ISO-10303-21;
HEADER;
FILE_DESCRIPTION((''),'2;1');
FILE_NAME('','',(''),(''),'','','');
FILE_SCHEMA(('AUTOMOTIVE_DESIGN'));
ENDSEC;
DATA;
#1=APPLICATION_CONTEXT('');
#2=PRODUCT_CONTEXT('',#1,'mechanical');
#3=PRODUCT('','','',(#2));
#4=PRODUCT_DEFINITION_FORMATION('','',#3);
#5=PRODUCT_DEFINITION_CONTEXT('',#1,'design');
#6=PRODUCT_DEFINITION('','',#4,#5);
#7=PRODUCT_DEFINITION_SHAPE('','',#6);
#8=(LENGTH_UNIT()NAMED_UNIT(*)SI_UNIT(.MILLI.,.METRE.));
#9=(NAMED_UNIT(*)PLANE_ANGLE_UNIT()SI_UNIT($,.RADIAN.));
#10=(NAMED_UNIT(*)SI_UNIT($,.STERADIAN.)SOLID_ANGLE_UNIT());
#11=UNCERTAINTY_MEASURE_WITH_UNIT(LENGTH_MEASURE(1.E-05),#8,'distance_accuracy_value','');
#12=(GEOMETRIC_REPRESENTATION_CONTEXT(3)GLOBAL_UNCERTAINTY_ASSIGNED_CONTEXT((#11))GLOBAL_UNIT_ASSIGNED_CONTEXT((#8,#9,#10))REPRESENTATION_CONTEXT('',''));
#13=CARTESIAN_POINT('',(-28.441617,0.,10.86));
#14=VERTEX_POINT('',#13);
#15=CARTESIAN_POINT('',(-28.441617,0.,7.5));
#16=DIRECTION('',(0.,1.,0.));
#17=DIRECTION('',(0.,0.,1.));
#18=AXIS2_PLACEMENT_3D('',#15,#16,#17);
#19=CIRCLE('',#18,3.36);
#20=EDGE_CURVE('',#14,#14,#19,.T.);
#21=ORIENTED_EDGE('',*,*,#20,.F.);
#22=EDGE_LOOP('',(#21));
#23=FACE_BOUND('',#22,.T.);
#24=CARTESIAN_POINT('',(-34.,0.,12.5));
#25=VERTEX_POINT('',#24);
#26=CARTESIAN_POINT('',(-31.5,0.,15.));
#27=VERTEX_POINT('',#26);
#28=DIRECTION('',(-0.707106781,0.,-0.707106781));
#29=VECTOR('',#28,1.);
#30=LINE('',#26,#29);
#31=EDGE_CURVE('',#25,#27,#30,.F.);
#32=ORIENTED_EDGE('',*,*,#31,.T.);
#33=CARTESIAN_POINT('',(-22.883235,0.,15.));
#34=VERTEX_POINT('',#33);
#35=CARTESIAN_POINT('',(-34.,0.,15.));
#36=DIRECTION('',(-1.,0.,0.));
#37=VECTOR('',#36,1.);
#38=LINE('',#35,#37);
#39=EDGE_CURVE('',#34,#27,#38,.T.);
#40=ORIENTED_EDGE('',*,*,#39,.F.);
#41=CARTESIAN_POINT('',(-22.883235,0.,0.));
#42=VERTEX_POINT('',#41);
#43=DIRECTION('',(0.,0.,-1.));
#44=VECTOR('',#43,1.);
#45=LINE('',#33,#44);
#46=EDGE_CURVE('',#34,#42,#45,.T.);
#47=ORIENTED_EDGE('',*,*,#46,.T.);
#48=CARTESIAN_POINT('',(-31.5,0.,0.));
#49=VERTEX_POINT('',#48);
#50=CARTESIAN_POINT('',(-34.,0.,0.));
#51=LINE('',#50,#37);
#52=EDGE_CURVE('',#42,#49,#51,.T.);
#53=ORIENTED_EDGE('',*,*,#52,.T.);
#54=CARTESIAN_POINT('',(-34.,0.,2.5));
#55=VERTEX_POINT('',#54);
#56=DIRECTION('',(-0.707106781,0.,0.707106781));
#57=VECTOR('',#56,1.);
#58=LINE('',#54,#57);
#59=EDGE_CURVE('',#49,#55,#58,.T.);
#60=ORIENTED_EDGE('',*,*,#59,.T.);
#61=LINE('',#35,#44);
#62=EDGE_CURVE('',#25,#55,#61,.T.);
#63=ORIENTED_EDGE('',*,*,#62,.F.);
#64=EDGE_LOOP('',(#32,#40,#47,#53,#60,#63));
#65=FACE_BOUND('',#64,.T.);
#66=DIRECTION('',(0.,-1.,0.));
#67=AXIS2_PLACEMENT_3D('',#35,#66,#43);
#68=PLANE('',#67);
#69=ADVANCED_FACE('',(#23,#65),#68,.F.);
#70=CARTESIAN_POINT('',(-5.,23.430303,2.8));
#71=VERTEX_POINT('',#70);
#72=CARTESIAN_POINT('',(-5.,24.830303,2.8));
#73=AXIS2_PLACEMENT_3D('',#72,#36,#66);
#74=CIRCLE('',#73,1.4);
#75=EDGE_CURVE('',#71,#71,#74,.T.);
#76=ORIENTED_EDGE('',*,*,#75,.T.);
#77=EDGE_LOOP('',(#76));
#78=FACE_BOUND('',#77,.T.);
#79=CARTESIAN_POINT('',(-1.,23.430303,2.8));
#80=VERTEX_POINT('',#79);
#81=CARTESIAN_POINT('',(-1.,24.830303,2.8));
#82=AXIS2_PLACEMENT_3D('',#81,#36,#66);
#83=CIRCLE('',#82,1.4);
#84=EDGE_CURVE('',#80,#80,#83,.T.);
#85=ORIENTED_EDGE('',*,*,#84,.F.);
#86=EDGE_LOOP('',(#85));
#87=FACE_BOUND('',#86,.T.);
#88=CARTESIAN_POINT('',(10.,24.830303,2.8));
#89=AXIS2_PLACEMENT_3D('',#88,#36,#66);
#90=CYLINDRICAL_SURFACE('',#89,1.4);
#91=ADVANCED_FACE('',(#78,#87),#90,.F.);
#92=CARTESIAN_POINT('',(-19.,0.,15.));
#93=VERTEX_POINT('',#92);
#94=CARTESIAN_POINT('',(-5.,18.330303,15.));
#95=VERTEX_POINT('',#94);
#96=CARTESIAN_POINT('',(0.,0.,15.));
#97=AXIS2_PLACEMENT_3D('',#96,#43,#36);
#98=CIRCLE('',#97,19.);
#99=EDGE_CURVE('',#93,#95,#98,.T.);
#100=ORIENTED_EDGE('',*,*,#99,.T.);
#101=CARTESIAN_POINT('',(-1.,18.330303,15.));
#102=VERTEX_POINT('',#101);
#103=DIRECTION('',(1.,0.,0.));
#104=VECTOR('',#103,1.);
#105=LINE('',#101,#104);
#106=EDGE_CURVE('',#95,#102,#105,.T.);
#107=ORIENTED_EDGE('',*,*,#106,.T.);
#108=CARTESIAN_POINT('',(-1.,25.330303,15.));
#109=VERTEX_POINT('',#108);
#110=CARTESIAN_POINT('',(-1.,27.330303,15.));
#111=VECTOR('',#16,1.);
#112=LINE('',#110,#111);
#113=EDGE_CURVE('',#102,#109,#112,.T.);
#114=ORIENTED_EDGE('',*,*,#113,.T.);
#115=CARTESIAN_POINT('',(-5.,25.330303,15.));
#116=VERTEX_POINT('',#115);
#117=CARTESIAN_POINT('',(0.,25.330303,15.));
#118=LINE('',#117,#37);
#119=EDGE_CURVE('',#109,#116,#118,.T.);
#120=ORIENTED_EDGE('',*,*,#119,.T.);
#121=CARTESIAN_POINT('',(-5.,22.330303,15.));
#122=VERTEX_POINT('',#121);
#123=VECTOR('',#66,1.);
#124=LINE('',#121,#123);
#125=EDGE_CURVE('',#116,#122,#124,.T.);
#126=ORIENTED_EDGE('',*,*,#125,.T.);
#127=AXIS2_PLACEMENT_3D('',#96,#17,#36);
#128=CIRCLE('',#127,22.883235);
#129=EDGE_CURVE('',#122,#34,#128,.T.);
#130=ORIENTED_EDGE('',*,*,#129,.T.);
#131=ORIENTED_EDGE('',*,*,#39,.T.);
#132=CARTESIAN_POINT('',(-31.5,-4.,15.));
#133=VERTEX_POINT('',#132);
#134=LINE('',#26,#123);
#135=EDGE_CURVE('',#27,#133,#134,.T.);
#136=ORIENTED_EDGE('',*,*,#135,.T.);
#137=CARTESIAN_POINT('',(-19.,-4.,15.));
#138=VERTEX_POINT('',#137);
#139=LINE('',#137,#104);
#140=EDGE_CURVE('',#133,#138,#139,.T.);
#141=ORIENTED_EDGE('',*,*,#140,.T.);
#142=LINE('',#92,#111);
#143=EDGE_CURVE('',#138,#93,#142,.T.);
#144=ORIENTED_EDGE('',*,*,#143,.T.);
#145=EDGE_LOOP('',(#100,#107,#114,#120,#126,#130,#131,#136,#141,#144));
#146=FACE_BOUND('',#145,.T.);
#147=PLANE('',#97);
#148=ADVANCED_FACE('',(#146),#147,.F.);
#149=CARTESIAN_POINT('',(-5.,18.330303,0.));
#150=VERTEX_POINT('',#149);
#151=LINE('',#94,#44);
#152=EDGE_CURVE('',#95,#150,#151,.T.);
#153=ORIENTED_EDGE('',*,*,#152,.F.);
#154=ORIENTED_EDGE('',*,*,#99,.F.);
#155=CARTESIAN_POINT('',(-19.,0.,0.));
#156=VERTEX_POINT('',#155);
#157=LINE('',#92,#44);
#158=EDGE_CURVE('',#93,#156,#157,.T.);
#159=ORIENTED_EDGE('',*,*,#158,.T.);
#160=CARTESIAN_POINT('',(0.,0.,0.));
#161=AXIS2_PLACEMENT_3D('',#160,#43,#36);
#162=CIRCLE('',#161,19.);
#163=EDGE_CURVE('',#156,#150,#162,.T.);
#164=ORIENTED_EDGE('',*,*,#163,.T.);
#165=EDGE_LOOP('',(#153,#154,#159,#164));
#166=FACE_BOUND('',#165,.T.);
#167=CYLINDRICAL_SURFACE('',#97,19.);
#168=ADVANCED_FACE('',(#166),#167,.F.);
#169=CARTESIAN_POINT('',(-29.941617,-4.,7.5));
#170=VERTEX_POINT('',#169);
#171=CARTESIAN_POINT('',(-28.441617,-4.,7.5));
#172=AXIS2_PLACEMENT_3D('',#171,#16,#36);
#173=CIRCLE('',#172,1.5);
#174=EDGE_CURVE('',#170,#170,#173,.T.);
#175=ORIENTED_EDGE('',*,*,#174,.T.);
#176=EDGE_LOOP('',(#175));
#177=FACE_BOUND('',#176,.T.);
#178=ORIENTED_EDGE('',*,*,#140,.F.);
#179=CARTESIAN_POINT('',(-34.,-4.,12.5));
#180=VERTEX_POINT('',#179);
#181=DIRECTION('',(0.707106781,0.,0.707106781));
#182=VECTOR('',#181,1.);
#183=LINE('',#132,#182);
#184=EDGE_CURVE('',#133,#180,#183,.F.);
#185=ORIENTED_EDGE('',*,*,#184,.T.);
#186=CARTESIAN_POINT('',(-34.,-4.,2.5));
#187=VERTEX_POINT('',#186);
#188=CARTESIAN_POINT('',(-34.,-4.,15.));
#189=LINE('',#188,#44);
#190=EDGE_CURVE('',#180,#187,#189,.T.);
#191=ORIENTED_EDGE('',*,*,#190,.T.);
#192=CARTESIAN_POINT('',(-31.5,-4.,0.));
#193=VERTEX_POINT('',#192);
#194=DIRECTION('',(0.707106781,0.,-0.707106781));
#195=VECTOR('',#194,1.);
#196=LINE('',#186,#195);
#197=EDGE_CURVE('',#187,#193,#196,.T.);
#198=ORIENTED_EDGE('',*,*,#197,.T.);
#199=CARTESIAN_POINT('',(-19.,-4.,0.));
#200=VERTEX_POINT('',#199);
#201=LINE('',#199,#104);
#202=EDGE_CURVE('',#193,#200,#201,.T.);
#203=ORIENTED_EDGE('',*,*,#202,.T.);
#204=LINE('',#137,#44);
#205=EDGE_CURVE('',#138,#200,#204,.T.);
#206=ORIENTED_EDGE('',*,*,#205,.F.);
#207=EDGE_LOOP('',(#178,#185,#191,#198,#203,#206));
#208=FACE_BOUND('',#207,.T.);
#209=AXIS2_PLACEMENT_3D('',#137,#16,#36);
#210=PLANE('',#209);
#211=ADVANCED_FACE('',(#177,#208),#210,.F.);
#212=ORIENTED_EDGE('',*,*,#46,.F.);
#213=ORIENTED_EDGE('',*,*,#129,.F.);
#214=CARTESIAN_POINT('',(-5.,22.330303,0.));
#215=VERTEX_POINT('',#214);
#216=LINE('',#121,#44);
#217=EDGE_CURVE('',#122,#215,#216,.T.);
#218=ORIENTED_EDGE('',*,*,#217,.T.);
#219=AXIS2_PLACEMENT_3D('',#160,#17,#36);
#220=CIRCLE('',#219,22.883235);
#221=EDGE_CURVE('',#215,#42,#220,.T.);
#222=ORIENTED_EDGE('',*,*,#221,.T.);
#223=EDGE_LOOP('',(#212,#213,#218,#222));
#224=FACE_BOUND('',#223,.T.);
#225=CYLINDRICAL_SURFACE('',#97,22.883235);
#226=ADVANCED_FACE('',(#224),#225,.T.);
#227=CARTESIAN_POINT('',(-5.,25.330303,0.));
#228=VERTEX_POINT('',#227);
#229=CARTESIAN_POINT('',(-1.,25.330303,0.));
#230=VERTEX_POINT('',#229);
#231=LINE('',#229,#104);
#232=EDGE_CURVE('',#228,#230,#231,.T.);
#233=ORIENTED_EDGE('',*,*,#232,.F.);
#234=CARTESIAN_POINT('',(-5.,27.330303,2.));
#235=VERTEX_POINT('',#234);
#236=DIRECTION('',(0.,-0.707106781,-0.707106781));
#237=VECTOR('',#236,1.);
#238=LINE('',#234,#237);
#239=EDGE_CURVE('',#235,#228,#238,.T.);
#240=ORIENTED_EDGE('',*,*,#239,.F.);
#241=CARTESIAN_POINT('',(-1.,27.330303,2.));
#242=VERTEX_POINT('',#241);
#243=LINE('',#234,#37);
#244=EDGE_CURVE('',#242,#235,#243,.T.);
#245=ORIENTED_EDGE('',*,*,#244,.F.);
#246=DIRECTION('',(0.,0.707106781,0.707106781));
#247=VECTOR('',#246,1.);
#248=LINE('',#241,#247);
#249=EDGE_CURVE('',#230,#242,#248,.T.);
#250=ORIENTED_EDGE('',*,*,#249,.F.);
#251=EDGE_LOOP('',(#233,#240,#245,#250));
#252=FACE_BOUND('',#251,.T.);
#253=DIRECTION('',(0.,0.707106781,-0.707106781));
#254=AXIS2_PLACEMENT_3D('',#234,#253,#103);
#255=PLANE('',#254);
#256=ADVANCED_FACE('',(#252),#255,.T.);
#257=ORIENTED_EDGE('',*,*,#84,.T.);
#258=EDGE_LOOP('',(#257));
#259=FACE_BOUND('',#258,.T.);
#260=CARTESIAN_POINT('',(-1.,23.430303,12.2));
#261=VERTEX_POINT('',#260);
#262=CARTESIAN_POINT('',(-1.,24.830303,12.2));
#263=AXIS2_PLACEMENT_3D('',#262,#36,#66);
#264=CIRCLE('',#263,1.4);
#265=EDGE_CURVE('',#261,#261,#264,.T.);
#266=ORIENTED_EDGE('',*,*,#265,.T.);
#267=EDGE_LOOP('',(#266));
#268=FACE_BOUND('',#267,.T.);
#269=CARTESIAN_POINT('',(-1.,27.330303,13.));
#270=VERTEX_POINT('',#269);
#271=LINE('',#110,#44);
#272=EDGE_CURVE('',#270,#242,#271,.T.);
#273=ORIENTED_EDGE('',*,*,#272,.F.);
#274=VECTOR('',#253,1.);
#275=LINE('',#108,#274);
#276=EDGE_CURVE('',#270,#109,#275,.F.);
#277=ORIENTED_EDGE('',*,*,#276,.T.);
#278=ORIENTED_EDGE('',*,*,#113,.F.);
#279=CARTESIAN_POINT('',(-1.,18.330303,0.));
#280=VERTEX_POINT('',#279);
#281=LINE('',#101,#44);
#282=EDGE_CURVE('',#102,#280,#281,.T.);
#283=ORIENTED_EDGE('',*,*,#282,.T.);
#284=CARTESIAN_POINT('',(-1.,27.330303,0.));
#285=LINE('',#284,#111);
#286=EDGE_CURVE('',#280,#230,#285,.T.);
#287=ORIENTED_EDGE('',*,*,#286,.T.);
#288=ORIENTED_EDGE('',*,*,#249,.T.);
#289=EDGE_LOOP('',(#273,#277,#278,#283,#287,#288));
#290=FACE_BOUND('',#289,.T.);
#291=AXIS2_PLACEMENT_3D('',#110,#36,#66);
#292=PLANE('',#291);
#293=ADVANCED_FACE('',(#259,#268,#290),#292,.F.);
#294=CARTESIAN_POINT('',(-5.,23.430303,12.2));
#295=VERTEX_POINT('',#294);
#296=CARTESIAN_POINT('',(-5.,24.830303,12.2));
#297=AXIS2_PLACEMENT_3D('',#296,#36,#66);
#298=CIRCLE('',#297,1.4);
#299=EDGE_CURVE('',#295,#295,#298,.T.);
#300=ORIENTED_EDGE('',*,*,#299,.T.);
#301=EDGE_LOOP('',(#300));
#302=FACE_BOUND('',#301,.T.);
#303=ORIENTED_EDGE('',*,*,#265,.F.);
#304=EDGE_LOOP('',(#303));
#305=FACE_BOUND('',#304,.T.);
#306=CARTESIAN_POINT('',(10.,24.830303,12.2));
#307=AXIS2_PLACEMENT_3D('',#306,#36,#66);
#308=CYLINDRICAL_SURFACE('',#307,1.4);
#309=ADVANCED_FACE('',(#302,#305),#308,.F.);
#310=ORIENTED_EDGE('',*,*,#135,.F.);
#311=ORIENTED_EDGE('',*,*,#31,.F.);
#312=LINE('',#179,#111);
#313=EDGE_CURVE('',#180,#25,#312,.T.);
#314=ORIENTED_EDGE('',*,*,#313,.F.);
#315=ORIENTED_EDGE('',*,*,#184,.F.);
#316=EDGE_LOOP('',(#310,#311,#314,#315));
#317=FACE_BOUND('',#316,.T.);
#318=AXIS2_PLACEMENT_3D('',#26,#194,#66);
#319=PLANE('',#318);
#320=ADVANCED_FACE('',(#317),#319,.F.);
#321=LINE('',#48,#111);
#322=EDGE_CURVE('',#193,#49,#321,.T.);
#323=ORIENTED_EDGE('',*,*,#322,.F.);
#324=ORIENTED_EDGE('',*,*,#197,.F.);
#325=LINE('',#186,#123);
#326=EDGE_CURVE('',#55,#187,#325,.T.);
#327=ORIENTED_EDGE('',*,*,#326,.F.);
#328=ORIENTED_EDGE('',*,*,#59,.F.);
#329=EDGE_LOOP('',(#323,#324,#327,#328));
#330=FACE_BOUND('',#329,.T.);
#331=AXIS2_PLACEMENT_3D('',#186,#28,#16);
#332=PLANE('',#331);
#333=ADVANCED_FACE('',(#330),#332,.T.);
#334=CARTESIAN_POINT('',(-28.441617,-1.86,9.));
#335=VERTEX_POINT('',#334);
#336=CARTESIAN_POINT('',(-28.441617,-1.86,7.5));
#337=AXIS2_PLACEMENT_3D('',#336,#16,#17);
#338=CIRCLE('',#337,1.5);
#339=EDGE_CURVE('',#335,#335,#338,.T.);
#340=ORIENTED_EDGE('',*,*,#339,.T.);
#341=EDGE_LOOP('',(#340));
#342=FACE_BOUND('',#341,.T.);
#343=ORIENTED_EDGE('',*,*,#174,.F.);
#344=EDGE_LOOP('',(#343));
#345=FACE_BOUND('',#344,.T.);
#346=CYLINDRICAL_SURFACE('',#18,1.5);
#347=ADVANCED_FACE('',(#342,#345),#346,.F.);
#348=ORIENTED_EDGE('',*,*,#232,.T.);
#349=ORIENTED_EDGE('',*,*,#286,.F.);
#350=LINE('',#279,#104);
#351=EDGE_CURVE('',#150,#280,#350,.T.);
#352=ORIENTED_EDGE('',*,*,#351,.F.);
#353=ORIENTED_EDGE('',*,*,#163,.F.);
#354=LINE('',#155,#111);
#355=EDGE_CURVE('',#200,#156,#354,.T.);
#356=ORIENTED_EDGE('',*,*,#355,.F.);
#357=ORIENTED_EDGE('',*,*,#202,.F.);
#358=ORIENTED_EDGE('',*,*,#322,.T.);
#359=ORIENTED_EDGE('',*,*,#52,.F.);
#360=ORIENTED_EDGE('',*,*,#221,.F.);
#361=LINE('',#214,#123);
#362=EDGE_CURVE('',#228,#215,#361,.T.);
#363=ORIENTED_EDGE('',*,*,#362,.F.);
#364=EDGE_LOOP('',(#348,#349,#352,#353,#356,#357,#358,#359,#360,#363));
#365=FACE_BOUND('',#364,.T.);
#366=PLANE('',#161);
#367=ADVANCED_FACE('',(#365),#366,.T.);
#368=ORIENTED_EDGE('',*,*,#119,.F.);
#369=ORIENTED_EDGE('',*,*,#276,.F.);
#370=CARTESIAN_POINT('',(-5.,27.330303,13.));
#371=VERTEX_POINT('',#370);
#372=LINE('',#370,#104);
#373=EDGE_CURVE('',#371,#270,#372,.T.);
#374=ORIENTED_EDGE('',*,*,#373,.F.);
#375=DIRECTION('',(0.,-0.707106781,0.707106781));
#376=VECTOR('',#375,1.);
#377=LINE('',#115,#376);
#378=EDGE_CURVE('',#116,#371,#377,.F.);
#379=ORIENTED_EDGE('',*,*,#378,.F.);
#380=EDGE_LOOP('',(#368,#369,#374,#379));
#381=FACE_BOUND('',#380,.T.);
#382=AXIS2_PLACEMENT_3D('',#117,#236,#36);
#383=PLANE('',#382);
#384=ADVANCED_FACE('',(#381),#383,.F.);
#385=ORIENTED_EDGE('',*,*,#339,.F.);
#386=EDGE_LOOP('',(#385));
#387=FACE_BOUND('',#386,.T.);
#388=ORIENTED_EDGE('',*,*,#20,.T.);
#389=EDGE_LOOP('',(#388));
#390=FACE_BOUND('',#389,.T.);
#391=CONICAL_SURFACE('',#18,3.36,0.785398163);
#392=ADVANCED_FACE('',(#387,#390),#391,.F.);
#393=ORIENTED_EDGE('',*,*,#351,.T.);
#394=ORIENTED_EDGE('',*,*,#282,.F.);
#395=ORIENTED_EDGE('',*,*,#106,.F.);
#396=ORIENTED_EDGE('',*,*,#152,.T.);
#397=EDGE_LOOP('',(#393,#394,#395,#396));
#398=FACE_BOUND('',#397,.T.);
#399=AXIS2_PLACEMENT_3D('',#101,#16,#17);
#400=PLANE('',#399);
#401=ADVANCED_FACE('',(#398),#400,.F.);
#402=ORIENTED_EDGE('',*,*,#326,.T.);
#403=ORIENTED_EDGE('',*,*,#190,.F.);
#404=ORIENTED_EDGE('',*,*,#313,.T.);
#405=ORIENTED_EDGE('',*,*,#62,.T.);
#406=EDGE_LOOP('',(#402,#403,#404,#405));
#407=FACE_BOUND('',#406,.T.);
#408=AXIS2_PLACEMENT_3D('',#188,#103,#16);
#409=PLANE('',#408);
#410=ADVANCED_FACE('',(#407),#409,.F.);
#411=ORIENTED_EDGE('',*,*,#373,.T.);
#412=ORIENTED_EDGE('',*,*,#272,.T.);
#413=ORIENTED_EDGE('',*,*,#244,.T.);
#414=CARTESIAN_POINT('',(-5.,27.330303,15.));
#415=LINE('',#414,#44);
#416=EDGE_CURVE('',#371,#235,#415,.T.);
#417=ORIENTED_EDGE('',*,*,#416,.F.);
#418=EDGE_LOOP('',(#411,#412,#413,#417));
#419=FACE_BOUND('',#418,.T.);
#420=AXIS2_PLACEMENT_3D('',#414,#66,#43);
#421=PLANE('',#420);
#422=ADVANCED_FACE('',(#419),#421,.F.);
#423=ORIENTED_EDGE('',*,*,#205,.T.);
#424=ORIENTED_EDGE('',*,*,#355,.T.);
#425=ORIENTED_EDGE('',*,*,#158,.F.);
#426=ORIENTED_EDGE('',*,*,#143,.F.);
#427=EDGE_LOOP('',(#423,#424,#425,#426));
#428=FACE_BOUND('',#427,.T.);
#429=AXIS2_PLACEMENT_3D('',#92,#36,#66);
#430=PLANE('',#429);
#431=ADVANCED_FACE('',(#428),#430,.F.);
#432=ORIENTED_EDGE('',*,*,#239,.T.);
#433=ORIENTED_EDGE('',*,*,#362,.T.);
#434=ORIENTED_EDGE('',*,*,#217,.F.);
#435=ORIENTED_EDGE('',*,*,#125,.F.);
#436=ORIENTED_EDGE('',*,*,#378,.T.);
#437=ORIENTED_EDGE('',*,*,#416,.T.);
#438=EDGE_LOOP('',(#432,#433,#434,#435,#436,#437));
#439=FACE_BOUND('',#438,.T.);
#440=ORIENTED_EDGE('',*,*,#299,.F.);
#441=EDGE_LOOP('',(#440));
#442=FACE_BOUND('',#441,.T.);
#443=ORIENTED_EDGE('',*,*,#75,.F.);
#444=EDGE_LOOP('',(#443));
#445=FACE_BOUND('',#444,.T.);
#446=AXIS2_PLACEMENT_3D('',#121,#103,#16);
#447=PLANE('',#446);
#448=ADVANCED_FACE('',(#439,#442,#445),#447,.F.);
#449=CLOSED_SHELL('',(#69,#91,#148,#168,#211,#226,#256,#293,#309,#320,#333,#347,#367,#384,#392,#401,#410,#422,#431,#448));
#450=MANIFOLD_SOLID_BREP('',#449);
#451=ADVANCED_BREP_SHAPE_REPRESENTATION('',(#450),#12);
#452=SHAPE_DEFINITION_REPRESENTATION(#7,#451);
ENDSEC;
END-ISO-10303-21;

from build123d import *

# Parameters (mm, degrees)
BOSS_EXTRUDE1_DEPTH           = 15
CHAMFER1_SIZE                 = 2.5
SKETCH2_R                     = 1.4
CUT_EXTRUDE1_DEPTH            = 15
CHAMFER2_SIZE                 = 2
SKETCH3_R                     = 1.4
CUT_EXTRUDE2_DEPTH            = 47.129659115
CSK_FOR_M3_SFHCS1_D           = 3
CSK_FOR_M3_SFHCS1_DEPTH       = 31.098709071
CSK_FOR_M3_SFHCS1_CSINK_D     = 6.72
CSK_FOR_M3_SFHCS1_CSINK_ANGLE = 90
CSK_FOR_M3_SFHCS1_TIP         = 0.901290929


with BuildPart() as part:
    # Sketch1 → Boss-Extrude1 (new body)
    with BuildSketch(Plane.XY):
        with BuildLine():
            Line((-19, 0), (-19, -4))
            Line((-19, -4), (-34, -4))
            Line((-34, -4), (-34, 0))
            Line((-34, 0), (-22.883234523, 0))
            ThreePointArc((-22.883234523, 0), (-17.861391251, 14.304304416), (-5, 22.33030278))
            Line((-5, 22.33030278), (-5, 27.33030278))
            Line((-5, 27.33030278), (-1, 27.33030278))
            Line((-1, 27.33030278), (-1, 18.33030278))
            Line((-1, 18.33030278), (-5, 18.33030278))
            ThreePointArc((-5, 18.33030278), (-15.099668871, 11.532562595), (-19, 0))
        make_face()
    extrude(amount=BOSS_EXTRUDE1_DEPTH)

    # Chamfer1
    chamfer1_edges = [part.edges().sort_by_distance(p)[0] for p in [
        (-34, -2, 0),
        (-34, -2, 15),
    ]]
    chamfer(chamfer1_edges, length=CHAMFER1_SIZE)

    # Sketch2 → Cut-Extrude1 (cut)
    with BuildSketch(Plane.ZY.offset(5)):
        with Locations(Location((2.8, 24.83030278, 0), (0, 0, 270))):
            Circle(SKETCH2_R)
        with Locations(Location((12.2, 24.83030278, 0), (0, 0, 270))):
            Circle(SKETCH2_R)
    extrude(amount=-CUT_EXTRUDE1_DEPTH, mode=Mode.SUBTRACT)

    # Chamfer2
    chamfer2_edges = [part.edges().sort_by_distance(p)[0] for p in [
        (-3, 27.33030278, 0),
        (-3, 27.33030278, 15),
    ]]
    chamfer(chamfer2_edges, length=CHAMFER2_SIZE)

    # Sketch3 → Cut-Extrude2 (cut, through all)
    with BuildSketch(Plane(origin=(0, 0, 0), x_dir=(1, 0, 0), z_dir=(0, 1, 0))):
        with Locations(Location((-28.441617262, -7.5, 0), (0, 0, 270))):
            Circle(SKETCH3_R)
    extrude(amount=-CUT_EXTRUDE2_DEPTH, mode=Mode.SUBTRACT)

    # CSK for M3 SFHCS1
    with Locations(Plane(origin=(-28.441617262, 0, 7.5), x_dir=(0, 0, 1), z_dir=(0, 1, 0))):
        with Locations((0, 0)):
            CounterSinkHole(CSK_FOR_M3_SFHCS1_D / 2, CSK_FOR_M3_SFHCS1_CSINK_D / 2, depth=CSK_FOR_M3_SFHCS1_DEPTH, counter_sink_angle=CSK_FOR_M3_SFHCS1_CSINK_ANGLE)
            with Locations((0, 0, -(CSK_FOR_M3_SFHCS1_DEPTH + CSK_FOR_M3_SFHCS1_TIP / 2))):  # 118° drill point
                Cone(0, CSK_FOR_M3_SFHCS1_D / 2, CSK_FOR_M3_SFHCS1_TIP, mode=Mode.SUBTRACT)


solid = part.part
